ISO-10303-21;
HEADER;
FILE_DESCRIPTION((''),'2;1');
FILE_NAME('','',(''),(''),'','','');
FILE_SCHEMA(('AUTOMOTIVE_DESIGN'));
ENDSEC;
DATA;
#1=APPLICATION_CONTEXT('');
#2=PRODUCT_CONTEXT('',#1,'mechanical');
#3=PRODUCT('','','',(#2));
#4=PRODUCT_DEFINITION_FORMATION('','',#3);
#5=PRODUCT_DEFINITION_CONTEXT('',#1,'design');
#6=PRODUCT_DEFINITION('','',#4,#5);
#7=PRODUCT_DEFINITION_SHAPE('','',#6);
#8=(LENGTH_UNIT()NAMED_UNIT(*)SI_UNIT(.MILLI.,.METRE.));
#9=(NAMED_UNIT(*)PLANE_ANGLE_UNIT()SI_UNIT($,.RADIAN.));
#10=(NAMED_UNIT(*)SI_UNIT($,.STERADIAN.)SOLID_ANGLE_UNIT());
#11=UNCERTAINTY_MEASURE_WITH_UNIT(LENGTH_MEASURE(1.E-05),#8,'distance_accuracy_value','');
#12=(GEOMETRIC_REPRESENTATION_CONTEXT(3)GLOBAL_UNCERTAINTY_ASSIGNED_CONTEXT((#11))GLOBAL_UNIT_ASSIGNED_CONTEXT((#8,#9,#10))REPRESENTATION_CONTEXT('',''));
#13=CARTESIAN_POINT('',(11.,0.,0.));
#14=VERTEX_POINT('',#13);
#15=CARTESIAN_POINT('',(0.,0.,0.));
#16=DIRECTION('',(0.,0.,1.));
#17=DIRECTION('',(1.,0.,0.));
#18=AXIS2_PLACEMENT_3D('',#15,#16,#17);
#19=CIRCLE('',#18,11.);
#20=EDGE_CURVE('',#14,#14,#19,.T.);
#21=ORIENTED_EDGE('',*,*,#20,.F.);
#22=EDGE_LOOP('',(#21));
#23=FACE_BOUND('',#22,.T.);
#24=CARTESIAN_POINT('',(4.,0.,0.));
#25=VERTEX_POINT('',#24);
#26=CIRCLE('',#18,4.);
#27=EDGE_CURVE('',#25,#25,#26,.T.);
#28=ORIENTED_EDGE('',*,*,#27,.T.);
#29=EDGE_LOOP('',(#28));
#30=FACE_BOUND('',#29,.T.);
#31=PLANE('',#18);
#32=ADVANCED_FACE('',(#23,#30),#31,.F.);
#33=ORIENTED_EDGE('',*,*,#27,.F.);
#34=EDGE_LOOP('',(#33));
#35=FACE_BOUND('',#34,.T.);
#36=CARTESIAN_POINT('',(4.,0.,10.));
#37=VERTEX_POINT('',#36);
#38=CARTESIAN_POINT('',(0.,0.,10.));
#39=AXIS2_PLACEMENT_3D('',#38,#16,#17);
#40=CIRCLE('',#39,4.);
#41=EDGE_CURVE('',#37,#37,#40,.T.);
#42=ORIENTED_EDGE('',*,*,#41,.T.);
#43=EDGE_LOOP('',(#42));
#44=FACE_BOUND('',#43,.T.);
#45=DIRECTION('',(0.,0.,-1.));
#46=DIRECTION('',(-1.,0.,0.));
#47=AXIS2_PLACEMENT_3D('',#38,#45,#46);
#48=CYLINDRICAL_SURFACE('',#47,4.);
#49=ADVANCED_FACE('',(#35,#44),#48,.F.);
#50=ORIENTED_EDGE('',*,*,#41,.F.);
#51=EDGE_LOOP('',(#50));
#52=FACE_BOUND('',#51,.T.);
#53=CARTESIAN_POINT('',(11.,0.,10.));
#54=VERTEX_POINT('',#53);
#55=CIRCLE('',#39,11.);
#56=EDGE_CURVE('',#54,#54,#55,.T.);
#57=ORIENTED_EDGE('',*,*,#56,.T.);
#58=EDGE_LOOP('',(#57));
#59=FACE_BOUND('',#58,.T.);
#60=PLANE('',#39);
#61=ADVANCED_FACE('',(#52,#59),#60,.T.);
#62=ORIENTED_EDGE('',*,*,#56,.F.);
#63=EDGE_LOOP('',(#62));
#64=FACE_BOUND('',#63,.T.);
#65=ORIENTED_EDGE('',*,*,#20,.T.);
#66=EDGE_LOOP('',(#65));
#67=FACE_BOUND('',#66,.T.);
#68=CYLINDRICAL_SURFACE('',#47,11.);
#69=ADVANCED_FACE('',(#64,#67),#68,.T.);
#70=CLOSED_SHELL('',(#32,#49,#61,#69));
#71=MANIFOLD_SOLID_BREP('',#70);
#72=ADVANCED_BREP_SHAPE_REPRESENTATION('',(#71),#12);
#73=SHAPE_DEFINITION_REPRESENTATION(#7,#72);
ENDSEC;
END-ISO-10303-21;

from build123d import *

# Parameters (mm, degrees)
IZIM1_R                     = 11
IZIM1_R_2                   = 4
Y_KSEKLIK_EKSTR_ZYON1_DEPTH = 10


with BuildPart() as part:
    # Çizim1 → Yükseklik-Ekstrüzyon1 (new body)
    with BuildSketch(Plane.XY):
        Circle(IZIM1_R)
        Circle(IZIM1_R_2, mode=Mode.SUBTRACT)
    extrude(amount=Y_KSEKLIK_EKSTR_ZYON1_DEPTH)


solid = part.part
